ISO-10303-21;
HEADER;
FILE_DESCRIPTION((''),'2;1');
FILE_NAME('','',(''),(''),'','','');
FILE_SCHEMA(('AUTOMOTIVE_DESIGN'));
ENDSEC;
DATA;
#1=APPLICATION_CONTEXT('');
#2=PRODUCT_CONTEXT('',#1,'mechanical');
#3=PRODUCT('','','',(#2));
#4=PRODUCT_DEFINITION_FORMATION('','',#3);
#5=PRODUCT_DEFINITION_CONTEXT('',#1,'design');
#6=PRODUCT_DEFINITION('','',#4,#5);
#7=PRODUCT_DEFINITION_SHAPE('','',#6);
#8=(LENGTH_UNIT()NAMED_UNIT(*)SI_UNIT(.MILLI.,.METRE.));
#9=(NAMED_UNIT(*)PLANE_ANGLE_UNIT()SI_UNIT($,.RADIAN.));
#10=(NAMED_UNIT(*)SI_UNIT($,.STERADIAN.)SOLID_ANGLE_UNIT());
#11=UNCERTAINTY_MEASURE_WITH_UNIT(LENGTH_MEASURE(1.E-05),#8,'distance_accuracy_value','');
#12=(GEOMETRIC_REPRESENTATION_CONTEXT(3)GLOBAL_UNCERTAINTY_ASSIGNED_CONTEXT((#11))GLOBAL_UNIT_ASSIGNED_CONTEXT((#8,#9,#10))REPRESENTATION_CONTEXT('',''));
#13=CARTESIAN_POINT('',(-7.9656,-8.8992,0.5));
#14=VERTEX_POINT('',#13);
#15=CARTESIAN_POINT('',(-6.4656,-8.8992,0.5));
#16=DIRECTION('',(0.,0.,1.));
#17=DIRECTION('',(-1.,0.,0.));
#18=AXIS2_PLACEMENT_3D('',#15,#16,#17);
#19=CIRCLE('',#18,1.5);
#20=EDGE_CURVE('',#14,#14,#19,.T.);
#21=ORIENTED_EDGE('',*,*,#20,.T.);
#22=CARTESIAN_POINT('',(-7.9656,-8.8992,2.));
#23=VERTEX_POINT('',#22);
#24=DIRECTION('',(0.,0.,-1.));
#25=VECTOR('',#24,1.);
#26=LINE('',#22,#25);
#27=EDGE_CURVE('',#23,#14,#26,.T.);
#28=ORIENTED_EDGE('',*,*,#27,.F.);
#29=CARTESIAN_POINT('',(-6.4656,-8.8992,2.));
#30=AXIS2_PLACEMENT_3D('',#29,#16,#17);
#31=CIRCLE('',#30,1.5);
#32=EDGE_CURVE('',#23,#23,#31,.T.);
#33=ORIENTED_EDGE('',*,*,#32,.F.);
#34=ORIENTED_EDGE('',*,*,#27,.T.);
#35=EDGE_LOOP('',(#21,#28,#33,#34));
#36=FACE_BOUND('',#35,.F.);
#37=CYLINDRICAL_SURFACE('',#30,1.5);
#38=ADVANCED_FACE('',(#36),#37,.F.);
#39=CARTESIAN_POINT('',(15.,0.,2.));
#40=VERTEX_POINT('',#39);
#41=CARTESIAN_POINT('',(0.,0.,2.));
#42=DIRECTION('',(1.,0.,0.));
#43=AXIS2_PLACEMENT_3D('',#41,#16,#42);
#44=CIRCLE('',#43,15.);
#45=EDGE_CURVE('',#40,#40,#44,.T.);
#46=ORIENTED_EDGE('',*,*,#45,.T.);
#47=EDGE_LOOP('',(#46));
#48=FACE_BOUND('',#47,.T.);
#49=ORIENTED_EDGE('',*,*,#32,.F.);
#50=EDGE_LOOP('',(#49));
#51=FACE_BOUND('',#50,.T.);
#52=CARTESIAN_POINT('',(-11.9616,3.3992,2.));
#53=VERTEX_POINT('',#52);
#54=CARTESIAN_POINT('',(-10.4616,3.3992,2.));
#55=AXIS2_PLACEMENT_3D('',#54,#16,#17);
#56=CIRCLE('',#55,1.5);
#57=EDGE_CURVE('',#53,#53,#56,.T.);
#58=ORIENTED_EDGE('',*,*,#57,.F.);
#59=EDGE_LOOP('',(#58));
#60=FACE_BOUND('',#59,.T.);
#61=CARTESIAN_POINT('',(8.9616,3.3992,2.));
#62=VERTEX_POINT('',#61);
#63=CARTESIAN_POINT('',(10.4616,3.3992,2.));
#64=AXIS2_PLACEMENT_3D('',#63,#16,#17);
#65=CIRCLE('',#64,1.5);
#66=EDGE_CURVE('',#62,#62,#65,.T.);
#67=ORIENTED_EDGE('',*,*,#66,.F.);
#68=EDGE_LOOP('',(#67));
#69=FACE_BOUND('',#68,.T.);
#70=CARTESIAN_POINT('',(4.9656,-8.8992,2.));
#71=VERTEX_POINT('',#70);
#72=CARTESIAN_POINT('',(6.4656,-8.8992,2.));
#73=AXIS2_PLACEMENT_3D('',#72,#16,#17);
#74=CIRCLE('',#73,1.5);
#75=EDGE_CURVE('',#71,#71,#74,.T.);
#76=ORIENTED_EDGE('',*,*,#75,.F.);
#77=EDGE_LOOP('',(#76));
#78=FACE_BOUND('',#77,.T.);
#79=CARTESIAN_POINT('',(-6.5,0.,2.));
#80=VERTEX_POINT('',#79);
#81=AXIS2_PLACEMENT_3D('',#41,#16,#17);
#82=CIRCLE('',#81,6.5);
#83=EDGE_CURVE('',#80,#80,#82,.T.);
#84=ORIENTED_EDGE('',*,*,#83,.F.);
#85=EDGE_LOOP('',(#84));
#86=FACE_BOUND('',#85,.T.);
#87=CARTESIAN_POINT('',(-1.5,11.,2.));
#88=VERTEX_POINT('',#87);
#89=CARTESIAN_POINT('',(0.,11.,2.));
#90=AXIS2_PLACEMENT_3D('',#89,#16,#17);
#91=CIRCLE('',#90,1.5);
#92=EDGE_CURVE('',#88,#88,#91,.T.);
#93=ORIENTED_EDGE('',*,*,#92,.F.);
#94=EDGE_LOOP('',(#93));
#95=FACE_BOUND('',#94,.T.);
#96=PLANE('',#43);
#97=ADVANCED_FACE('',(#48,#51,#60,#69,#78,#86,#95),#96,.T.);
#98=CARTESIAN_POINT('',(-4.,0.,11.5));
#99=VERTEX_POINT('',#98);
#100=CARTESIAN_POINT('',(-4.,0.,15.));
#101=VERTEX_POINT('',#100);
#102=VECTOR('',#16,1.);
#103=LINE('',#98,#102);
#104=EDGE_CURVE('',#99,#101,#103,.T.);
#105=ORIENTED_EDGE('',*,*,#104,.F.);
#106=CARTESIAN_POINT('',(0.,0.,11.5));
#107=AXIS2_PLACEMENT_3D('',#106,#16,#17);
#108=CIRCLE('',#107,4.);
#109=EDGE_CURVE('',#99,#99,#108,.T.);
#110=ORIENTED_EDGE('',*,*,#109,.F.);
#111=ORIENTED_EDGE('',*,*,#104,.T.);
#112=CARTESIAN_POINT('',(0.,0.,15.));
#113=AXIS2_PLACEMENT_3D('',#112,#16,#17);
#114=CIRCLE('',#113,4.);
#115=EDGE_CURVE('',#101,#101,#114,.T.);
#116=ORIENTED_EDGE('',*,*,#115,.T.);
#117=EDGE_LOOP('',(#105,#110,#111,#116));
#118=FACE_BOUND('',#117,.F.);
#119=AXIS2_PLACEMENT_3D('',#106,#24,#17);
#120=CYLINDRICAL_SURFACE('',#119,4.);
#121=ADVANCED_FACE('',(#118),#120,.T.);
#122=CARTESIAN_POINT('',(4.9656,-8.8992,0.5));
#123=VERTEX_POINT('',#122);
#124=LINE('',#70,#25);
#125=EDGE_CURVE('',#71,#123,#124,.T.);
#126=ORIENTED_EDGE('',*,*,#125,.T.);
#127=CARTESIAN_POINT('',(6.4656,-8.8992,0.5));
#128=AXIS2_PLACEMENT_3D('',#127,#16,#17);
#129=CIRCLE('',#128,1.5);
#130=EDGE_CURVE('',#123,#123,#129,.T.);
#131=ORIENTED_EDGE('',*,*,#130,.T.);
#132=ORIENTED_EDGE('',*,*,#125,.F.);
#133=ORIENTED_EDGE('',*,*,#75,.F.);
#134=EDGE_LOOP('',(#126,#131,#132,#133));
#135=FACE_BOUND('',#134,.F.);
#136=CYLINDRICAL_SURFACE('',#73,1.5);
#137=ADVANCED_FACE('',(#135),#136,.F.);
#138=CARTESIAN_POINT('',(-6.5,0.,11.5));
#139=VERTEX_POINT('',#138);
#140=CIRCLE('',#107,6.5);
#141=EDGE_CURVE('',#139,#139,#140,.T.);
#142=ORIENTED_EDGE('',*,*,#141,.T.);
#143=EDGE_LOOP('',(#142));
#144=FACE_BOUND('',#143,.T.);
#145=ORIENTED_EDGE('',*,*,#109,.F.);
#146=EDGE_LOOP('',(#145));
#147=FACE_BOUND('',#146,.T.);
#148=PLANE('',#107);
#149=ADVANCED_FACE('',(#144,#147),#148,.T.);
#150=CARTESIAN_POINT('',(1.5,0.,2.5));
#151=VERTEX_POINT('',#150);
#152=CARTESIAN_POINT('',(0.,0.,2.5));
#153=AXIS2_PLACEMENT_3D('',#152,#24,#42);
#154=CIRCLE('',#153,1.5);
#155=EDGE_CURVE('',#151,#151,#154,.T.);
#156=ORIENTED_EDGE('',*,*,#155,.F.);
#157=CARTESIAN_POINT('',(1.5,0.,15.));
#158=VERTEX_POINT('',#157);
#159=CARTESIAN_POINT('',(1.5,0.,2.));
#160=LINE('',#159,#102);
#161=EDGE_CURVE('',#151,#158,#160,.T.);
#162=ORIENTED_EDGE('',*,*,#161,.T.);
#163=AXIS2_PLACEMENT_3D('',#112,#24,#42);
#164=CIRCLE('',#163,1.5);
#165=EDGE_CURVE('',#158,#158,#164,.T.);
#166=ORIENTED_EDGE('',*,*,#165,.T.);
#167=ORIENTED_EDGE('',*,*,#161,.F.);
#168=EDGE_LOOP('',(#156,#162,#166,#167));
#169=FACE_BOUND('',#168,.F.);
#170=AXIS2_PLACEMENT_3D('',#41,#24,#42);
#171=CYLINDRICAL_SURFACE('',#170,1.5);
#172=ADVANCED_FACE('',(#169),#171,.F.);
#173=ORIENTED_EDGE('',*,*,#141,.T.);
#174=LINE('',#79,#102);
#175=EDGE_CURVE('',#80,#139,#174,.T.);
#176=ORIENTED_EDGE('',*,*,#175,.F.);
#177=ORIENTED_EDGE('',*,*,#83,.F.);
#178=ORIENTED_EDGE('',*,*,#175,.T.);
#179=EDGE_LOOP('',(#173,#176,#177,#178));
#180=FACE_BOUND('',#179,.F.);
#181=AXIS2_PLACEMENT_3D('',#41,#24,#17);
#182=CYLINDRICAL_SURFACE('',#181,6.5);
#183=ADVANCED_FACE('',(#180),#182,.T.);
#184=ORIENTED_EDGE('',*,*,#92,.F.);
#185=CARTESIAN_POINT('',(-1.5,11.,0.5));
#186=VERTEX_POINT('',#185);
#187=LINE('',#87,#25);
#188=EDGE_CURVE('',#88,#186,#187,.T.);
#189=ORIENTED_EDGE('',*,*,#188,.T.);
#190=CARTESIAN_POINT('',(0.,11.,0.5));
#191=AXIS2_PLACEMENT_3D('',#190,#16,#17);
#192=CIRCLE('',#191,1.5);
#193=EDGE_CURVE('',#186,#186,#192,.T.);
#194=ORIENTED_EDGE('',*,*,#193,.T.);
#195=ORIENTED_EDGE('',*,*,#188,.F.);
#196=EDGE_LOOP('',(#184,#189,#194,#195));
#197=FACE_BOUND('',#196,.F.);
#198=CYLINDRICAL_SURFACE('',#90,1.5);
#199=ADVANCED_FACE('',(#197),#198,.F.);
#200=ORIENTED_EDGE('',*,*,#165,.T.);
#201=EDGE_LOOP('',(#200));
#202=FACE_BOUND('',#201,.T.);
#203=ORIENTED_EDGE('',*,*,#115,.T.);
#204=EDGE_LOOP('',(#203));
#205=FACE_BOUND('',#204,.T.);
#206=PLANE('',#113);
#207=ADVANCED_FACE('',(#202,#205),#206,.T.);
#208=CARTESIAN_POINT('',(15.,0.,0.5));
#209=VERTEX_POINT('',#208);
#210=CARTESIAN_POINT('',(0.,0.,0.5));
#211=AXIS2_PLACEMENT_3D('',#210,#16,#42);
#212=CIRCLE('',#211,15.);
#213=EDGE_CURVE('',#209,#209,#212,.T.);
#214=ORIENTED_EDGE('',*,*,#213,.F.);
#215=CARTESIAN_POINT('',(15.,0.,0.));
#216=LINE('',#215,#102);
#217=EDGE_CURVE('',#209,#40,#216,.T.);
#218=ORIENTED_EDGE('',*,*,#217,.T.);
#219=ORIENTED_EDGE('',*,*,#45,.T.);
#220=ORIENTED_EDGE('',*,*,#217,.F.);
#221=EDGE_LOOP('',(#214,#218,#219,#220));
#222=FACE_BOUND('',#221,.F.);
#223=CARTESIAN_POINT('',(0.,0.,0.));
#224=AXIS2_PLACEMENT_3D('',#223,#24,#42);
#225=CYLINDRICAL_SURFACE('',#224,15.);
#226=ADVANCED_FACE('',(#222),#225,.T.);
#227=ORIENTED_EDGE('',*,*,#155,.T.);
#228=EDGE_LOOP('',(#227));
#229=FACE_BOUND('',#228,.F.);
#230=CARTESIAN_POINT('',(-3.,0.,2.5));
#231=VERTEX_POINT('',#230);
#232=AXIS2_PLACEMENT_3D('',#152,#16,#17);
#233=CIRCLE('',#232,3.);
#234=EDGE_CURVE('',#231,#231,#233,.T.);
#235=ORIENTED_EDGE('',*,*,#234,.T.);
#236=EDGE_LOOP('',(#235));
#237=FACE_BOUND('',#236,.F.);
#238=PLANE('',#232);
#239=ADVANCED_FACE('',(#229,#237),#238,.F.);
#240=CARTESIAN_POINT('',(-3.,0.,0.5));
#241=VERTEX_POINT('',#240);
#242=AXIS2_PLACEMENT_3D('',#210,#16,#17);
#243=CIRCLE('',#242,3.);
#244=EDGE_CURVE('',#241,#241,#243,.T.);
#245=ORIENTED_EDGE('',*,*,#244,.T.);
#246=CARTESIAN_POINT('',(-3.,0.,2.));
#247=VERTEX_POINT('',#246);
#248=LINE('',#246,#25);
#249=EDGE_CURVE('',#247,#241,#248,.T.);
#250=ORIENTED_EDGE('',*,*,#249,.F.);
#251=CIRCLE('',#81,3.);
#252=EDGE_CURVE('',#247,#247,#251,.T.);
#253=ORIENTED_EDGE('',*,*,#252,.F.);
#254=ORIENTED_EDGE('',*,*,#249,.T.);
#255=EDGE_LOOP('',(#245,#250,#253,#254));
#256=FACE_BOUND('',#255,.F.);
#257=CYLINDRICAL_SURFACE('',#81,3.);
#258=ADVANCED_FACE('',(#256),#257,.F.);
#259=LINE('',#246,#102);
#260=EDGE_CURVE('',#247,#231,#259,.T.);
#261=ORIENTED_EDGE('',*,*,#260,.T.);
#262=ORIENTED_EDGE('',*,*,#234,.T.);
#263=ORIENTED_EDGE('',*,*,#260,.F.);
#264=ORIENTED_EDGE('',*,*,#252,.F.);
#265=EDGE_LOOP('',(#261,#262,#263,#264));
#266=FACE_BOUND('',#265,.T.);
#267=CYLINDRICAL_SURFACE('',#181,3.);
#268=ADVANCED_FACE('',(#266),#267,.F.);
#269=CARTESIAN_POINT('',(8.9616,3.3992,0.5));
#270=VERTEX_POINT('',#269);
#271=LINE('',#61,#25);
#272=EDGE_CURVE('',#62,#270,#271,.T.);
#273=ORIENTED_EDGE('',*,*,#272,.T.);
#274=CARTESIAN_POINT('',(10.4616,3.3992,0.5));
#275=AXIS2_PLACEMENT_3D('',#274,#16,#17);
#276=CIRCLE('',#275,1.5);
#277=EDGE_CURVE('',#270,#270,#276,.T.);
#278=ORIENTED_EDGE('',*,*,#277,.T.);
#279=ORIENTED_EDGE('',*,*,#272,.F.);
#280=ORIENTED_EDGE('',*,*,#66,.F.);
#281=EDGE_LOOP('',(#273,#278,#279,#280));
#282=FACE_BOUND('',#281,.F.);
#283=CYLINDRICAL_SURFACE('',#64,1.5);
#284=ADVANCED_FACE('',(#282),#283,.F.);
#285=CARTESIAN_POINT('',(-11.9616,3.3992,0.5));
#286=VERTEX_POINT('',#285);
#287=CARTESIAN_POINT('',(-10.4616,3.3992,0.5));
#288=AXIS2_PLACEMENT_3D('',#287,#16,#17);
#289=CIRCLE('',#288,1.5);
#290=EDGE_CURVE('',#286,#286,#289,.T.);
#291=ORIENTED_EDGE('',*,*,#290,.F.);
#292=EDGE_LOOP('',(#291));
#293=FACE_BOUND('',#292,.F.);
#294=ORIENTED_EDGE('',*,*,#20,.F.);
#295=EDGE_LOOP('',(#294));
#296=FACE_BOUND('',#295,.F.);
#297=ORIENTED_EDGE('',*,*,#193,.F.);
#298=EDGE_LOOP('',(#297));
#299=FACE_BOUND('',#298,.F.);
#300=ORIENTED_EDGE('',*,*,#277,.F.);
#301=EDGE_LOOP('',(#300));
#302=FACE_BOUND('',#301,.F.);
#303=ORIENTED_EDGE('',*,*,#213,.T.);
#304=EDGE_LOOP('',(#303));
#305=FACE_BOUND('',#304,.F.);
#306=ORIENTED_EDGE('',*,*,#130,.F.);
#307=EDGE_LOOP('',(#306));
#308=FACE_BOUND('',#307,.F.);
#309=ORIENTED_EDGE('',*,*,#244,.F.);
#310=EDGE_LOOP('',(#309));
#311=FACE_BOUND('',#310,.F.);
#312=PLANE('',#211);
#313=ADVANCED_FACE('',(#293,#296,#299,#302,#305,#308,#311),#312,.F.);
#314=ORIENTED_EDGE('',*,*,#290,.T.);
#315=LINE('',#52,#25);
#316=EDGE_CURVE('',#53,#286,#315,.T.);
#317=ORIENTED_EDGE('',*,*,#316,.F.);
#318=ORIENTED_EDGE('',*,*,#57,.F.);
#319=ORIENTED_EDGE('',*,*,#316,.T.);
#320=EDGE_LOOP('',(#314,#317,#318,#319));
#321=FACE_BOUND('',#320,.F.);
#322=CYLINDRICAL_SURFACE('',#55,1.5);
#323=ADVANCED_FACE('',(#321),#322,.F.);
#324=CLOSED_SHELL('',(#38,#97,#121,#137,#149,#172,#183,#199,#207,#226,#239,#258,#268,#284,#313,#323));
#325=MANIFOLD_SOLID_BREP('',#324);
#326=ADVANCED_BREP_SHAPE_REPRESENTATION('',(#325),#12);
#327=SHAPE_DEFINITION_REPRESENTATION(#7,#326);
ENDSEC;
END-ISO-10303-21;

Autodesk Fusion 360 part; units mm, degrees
sketch "Sketch1" plane through (0, 0, 0) normal (0, 0, 1) x (1, 0, 0)
  circle A0 centre (0, 0) radius 15
extrude "Extrude1" add sketch "Sketch1" along normal blind 2
sketch "Sketch2" plane through (0, 0, 2) normal (0, 0, 1) x (-1, 0, 0)
  circle A0 centre (0, 0) radius 15
  circle A1 centre (0, -11) radius 1.5
  circle A2 centre (10.4616, -3.3992) radius 1.5
  circle A3 centre (6.4656, 8.8992) radius 1.5
  circle A4 centre (-6.4656, 8.8992) radius 1.5
  circle A5 centre (-10.4616, -3.3992) radius 1.5
  dimension "d4" = 360
extrude "Extrude2" cut sketch "Sketch2" against normal blind 19 contours A1 | A2 | A3 | A4 | A5
sketch "Sketch3" plane through (0, 0, 2) normal (0, 0, 1) x (-1, 0, 0)
  circle A0 centre (6.4656, 8.8992) radius 1.5
  circle A1 centre (10.4616, -3.3992) radius 1.5
  circle A2 centre (-6.4656, 8.8992) radius 1.5
  circle A3 centre (0, -11) radius 1.5
  circle A4 centre (-10.4616, -3.3992) radius 1.5
  circle A5 centre (0, 0) radius 15
  circle A6 centre (0, 0) radius 3
extrude "Extrude3" cut sketch "Sketch3" against normal blind 2 contours A6
sketch "Sketch4" plane through (0, 0, 2) normal (0, 0, 1) x (-1, 0, 0)
  circle A0 centre (0, 0) radius 3
  circle A1 centre (6.4656, 8.8992) radius 1.5
  circle A2 centre (10.4616, -3.3992) radius 1.5
  circle A3 centre (-6.4656, 8.8992) radius 1.5
  circle A4 centre (0, -11) radius 1.5
  circle A5 centre (-10.4616, -3.3992) radius 1.5
  circle A6 centre (0, 0) radius 15
  circle A7 centre (0, 0) radius 6.5
  dimension "d9" = 13
extrude "Extrude4" add sketch "Sketch4" along normal blind 9.5 contours A0 | A7
sketch "Sketch5" plane through (0, 0, 11.5) normal (0, 0, 1) x (-1, 0, 0)
  circle A0 centre (0, 0) radius 6.5
  circle A1 centre (0, 0) radius 4
extrude "Extrude5" add sketch "Sketch5" along normal blind 3.5 contours A1
sketch "Sketch6" plane through (0, 0, 2) normal (0, 0, -1) x (1, 0, 0)
  circle A0 centre (0, 0) radius 3
  circle A1 centre (0, 0) radius 1.5
  dimension "d14" = 3
extrude "Extrude6" cut sketch "Sketch6" against normal blind 100 contours A1
extrude "Extrude7" cut 1 faces at (-10.559, -3.3616, 0) along direction (0, 0, 1) blind 0.5
extrude "Extrude8" cut 1 faces at (-2.4832, 0.2236, 2) along direction (0, 0, 1) blind 0.5
